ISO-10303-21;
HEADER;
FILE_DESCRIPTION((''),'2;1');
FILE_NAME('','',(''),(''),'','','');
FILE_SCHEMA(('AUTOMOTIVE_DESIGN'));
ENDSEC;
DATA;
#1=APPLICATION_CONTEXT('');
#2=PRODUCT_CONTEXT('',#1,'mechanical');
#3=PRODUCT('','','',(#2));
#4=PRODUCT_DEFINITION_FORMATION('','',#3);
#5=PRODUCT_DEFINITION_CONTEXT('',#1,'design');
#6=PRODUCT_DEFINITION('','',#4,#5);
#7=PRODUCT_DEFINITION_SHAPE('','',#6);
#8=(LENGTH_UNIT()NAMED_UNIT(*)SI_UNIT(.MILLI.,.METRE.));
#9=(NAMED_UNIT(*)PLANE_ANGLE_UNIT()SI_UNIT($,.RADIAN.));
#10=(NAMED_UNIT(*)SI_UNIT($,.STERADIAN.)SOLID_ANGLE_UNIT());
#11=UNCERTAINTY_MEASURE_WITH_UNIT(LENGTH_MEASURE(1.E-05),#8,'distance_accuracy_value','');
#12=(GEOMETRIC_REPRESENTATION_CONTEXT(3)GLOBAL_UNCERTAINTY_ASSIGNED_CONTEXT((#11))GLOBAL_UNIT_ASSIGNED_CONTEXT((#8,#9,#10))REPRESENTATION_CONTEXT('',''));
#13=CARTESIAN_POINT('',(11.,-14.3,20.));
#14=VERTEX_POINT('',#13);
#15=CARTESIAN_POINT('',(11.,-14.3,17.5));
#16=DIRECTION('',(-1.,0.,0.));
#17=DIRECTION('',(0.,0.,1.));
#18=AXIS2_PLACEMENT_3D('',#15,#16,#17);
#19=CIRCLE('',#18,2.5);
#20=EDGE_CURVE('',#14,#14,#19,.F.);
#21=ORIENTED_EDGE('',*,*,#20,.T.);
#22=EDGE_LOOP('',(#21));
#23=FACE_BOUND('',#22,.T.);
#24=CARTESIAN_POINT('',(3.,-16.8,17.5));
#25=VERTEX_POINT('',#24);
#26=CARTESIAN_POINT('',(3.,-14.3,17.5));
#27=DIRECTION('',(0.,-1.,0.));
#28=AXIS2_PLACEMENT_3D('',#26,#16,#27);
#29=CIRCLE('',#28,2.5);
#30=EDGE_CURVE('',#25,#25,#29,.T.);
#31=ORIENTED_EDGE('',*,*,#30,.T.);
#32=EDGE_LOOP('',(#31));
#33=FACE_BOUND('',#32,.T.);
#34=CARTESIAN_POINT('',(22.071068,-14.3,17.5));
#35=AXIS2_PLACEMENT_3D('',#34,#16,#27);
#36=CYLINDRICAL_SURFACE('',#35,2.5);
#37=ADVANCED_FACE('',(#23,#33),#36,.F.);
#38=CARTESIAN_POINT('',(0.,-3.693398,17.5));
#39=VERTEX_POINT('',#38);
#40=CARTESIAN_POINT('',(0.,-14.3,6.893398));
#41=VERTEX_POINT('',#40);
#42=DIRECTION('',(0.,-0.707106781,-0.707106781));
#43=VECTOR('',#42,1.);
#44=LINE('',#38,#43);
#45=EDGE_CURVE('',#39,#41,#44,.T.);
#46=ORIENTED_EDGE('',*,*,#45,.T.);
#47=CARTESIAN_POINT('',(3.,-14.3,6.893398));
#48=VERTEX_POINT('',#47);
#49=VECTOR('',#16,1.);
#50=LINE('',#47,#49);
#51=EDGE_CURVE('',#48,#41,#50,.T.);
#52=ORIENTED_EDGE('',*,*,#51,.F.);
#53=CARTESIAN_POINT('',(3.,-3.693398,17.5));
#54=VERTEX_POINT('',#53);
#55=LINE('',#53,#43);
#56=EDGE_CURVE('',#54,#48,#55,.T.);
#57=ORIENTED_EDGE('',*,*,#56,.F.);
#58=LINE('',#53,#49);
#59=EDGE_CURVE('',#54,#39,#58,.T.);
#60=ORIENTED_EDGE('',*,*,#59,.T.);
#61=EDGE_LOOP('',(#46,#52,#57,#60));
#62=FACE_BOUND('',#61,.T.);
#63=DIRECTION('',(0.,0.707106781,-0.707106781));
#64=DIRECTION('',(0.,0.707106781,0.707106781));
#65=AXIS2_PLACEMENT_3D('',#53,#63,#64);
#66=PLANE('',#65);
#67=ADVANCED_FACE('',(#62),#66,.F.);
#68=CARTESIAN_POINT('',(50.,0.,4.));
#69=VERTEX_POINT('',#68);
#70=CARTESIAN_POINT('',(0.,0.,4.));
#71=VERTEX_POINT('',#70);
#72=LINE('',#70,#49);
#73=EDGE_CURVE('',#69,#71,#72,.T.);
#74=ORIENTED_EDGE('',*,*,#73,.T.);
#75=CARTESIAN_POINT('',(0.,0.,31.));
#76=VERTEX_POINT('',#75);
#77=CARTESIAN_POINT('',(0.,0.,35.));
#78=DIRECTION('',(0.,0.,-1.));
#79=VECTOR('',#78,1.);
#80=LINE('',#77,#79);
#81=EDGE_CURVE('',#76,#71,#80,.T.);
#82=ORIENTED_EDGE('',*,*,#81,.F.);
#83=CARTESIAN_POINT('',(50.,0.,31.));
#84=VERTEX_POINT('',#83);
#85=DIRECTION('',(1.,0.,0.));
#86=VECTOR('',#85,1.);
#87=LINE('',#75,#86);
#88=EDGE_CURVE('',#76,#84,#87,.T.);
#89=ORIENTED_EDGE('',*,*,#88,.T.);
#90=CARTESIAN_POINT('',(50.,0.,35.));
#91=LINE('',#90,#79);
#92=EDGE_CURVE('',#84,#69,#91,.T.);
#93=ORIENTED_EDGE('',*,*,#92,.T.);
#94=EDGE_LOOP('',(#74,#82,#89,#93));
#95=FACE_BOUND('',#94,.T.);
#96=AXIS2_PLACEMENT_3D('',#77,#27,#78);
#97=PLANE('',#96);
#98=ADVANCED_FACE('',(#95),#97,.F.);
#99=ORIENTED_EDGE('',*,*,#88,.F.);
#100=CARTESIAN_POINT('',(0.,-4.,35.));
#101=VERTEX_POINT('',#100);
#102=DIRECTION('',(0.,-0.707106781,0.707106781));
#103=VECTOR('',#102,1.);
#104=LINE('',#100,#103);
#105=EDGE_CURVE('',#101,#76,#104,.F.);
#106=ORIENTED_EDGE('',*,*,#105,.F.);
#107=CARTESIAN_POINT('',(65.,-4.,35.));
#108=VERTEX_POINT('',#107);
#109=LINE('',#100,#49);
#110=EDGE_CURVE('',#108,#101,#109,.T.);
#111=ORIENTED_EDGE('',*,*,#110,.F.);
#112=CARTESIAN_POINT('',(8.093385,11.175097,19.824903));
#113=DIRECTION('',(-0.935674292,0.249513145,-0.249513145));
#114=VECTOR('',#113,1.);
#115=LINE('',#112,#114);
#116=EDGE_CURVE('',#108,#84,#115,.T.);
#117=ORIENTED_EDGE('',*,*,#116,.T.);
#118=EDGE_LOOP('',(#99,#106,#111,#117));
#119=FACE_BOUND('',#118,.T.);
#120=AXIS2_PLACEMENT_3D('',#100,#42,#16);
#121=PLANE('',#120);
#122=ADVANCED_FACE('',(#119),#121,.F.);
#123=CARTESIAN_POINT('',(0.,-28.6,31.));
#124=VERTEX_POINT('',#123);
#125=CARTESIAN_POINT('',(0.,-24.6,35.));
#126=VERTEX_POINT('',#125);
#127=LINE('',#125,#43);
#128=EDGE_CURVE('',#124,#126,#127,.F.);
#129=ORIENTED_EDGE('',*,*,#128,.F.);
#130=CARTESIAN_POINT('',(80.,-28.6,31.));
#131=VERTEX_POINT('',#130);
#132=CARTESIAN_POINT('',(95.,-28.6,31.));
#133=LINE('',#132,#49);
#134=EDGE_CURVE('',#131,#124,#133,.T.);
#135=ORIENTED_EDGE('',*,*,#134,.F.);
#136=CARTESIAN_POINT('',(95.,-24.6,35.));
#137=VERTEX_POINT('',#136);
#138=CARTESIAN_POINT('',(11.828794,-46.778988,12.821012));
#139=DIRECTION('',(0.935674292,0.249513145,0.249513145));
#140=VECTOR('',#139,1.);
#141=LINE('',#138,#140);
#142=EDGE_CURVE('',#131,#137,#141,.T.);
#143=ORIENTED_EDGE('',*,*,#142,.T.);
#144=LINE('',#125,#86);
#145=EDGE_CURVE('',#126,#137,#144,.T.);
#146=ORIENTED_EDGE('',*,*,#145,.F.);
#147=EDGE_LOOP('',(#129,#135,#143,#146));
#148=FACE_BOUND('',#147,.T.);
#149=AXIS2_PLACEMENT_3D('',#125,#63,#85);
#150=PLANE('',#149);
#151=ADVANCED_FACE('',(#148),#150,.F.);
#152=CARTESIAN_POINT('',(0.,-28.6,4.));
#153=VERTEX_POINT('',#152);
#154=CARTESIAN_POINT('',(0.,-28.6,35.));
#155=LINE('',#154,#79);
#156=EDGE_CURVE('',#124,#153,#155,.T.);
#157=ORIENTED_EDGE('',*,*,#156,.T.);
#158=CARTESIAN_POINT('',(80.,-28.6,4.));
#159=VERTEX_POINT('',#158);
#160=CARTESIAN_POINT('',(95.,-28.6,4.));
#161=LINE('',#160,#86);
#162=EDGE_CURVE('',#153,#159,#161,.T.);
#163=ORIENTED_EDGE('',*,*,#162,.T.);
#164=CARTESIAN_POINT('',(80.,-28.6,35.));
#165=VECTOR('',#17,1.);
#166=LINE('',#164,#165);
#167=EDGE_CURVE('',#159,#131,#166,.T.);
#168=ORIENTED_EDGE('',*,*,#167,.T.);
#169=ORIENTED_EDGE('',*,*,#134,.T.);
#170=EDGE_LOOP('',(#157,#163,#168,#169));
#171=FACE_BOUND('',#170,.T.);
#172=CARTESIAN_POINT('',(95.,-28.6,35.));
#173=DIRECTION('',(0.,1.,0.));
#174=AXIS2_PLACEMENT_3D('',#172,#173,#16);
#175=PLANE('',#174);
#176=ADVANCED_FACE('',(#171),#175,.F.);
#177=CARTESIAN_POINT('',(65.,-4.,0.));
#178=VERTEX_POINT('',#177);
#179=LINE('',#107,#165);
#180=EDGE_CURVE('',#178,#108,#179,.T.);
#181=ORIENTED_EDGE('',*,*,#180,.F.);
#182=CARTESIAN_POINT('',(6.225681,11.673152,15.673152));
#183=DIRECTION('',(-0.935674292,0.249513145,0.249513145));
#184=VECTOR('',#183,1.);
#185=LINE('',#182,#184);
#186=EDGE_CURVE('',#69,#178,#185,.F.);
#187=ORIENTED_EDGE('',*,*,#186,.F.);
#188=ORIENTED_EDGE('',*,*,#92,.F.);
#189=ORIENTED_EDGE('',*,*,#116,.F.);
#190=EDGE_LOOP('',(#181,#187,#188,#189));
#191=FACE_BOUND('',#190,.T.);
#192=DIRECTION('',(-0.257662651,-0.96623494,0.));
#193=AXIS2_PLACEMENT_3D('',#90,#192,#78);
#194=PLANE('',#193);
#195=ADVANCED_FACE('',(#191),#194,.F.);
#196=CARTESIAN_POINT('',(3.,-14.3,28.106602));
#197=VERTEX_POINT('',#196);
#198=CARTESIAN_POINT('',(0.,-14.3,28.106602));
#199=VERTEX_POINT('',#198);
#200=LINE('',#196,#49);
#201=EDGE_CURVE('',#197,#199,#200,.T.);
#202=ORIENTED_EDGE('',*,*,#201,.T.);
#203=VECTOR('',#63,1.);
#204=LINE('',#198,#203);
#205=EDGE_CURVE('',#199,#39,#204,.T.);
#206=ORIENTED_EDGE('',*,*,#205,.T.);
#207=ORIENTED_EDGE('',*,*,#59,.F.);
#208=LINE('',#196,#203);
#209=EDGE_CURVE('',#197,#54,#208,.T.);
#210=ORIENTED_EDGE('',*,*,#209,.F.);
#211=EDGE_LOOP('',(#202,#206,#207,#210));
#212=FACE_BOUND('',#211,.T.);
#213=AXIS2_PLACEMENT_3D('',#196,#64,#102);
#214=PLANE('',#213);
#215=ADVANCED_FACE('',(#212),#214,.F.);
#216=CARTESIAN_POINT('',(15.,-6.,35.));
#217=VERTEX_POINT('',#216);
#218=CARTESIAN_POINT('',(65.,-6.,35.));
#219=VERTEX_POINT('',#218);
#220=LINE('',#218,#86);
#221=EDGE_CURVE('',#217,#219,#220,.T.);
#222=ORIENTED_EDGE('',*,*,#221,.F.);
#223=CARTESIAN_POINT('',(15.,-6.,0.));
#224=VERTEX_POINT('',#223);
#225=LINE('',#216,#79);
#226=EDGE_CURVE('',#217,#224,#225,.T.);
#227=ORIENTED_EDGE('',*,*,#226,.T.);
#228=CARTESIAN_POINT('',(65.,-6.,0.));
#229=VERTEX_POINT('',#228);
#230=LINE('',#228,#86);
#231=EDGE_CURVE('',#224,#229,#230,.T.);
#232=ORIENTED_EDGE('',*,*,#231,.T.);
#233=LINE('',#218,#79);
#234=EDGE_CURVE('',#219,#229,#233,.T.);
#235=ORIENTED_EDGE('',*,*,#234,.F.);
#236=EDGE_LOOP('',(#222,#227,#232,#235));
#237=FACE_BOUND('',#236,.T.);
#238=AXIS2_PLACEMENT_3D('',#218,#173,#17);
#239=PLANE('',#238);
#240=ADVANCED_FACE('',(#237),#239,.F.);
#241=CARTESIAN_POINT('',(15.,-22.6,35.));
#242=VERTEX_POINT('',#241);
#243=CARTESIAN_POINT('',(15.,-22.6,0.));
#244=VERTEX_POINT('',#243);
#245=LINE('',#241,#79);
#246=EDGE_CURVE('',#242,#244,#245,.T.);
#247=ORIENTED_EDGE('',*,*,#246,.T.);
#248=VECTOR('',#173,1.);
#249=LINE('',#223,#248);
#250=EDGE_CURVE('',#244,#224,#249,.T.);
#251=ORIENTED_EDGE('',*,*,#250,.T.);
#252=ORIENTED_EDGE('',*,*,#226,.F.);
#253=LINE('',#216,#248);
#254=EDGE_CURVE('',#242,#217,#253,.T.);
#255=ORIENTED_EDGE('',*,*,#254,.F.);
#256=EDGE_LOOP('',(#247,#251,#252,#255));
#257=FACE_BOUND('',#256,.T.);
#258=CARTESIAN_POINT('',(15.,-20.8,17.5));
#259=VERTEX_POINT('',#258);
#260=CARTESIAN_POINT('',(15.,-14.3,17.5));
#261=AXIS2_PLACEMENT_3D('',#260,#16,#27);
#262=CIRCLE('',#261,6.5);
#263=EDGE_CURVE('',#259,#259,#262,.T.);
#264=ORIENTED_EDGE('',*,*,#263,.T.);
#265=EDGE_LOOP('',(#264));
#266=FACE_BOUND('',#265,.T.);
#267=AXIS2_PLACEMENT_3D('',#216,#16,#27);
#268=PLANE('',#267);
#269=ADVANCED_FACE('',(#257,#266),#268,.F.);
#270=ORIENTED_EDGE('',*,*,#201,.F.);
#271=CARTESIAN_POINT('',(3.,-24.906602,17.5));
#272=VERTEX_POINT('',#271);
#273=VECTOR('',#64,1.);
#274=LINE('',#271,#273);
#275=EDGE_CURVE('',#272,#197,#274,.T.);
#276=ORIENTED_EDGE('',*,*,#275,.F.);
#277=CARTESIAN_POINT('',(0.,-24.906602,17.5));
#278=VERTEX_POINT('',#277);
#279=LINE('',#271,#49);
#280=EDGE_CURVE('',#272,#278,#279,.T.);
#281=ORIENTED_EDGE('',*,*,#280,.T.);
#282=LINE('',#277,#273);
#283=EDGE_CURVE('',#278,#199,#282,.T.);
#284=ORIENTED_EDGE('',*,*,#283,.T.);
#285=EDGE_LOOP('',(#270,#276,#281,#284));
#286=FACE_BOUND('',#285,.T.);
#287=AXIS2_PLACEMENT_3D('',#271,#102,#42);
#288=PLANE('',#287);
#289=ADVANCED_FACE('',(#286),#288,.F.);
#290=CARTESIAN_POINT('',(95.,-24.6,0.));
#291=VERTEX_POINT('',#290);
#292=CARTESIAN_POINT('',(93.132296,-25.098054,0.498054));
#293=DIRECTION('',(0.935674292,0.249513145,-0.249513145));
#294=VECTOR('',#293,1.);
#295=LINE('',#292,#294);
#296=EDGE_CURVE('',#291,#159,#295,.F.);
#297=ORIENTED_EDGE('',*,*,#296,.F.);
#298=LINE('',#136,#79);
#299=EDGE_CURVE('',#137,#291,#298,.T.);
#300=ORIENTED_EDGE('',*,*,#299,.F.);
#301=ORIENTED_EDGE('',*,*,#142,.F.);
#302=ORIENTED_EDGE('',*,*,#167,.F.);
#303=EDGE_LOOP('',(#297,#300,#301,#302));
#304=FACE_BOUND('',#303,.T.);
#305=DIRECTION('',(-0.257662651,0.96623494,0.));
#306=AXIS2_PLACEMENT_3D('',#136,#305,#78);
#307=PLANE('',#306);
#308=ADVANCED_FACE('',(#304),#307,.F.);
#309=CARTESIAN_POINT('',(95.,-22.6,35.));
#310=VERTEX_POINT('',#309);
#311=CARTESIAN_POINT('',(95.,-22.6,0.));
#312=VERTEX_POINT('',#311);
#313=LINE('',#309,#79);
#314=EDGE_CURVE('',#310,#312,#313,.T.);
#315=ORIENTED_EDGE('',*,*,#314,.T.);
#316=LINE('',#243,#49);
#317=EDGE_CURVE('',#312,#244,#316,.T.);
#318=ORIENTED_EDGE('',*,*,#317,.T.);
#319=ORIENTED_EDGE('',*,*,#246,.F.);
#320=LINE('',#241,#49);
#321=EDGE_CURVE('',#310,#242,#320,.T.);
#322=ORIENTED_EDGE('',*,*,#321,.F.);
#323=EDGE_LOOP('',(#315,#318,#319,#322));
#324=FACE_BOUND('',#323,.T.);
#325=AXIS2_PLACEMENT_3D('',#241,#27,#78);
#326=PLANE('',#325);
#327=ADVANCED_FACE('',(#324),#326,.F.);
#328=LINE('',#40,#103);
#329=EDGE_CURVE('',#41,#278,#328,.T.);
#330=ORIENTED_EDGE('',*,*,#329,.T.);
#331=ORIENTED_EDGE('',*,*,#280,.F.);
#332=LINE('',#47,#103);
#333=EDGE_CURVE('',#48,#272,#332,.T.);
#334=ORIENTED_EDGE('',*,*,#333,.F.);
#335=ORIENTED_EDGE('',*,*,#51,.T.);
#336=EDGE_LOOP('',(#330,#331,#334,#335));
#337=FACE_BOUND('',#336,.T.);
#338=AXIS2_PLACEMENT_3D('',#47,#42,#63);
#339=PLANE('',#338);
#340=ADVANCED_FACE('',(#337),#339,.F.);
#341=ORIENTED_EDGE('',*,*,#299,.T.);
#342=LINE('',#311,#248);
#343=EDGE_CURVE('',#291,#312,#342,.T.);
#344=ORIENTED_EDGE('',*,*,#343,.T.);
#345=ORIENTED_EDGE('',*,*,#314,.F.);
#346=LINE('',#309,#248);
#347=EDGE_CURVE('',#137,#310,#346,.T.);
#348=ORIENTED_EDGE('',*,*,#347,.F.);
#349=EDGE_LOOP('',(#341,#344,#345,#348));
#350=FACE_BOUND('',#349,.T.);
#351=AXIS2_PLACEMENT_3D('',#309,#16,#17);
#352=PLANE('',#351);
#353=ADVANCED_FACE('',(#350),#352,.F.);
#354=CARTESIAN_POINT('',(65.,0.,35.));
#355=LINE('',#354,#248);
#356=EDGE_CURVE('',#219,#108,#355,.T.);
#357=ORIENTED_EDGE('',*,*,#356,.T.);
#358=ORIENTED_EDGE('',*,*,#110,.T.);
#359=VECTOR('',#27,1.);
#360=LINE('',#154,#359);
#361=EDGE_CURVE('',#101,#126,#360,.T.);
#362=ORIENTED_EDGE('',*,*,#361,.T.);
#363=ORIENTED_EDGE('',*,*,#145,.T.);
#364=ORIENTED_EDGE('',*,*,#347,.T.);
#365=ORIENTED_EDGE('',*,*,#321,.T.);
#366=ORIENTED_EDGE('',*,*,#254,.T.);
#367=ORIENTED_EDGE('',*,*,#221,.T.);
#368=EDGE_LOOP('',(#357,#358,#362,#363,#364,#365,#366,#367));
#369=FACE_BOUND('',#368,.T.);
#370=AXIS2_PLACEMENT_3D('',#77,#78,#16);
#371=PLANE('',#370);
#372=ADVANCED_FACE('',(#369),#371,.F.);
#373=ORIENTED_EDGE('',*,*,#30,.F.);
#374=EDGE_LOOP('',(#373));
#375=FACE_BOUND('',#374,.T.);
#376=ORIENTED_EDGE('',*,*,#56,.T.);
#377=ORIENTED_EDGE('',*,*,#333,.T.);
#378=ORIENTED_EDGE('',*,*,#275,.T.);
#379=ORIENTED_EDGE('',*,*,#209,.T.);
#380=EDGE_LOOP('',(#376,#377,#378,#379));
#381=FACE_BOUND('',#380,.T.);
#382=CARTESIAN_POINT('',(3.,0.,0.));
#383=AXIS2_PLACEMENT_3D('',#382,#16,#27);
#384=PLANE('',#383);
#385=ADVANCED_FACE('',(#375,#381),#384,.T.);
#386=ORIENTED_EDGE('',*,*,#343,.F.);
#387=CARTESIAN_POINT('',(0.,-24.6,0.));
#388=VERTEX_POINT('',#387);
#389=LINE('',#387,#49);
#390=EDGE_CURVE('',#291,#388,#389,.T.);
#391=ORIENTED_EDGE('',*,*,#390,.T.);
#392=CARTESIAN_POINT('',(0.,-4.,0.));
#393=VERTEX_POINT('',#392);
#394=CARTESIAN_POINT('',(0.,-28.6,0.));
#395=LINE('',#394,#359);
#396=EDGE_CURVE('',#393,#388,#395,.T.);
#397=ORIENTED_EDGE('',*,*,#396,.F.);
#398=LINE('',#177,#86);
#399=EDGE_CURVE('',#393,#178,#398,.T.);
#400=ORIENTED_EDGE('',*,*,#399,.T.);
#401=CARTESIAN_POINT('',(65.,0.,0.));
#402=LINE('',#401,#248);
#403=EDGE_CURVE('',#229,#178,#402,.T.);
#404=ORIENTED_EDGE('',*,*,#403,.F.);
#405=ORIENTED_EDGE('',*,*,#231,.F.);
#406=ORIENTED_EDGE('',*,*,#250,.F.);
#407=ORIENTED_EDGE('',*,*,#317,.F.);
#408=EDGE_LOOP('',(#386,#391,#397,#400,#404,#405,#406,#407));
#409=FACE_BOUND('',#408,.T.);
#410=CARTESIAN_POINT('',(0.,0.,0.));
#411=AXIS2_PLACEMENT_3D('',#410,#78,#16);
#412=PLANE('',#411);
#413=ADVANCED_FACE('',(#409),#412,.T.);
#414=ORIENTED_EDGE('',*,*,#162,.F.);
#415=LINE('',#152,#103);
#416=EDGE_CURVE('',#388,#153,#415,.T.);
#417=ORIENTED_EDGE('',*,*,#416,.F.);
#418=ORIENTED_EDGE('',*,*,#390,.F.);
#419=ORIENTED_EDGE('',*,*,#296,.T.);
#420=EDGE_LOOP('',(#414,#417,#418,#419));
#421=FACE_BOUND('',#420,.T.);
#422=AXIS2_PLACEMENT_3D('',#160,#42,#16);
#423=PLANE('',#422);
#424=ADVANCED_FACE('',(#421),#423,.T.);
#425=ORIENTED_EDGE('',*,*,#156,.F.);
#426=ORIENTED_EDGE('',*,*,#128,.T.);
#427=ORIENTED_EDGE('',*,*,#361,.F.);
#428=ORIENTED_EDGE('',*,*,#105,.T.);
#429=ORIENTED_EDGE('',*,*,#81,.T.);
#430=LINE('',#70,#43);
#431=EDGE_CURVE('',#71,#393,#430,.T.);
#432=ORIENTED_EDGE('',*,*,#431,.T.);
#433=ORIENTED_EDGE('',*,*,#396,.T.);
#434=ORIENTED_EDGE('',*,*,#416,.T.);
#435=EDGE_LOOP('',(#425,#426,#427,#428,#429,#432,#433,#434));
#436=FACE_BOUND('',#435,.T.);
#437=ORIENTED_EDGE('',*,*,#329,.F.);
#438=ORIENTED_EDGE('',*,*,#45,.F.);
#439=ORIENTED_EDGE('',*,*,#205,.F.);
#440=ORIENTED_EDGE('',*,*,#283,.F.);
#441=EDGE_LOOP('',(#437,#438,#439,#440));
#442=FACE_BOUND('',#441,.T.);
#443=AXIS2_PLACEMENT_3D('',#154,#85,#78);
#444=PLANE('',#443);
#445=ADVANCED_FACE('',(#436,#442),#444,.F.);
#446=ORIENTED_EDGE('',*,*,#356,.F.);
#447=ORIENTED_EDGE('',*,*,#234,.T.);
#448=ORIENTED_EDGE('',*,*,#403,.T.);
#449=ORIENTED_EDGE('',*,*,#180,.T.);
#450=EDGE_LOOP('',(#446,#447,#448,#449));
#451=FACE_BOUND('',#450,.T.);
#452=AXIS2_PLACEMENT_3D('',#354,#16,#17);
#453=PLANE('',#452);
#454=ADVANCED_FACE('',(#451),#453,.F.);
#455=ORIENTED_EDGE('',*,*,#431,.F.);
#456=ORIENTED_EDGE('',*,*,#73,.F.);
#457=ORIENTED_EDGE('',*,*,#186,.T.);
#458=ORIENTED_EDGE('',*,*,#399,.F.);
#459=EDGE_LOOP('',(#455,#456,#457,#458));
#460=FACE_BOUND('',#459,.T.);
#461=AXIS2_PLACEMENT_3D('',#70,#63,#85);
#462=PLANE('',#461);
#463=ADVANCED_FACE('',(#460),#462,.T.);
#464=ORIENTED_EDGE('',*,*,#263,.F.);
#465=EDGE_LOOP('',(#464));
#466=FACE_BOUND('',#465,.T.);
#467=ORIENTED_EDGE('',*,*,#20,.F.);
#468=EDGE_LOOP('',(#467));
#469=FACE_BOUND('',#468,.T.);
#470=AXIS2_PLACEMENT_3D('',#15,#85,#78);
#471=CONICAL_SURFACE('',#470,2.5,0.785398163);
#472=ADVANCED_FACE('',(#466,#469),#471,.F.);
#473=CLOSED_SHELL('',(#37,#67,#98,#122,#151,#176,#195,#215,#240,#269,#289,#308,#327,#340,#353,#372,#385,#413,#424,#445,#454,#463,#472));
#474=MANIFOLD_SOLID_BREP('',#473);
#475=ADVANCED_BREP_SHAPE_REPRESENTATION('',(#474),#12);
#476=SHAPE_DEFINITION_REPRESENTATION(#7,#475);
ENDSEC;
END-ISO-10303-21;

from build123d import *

# Parameters (mm, degrees)
EXTRUDE_1_DEPTH     = 35
CUT_EXTRUDE_2_DEPTH = 3
SKETCH_4_R          = 2.5
CUT_EXTRUDE_3_DEPTH = 15
CHAMFER_2_SIZE      = 4
CHAMFER_3_SIZE      = 4
CHAMFER_4_SIZE      = 4
CHAMFER_4_SIZE2     = 15
CHAMFER_5_SIZE      = 15
CHAMFER_5_SIZE2     = 4


with BuildPart() as part:
    # Эскиз2 → Бобышка-Вытянуть1 (new body)
    with BuildSketch(Plane.XY):
        Polygon((0, 0), (65, 0), (65, -6), (15, -6), (15, -22.6), (95, -22.6), (95, -28.6), (0, -28.6), align=None)
    extrude(amount=EXTRUDE_1_DEPTH)

    # Эскиз3 → Вырез-Вытянуть2 (cut)
    with BuildSketch(Plane.ZY):
        Polygon((6.893398282, -14.3), (17.5, -24.906601718), (28.106601718, -14.3), (17.5, -3.693398282), align=None)
    extrude(amount=-CUT_EXTRUDE_2_DEPTH, mode=Mode.SUBTRACT)

    # Эскиз4 → Вырез-Вытянуть3 (cut)
    with BuildSketch(Plane.ZY):
        with Locations(Location((17.5, -14.3, 0), (0, 0, 270))):
            Circle(SKETCH_4_R)
    extrude(amount=-CUT_EXTRUDE_3_DEPTH, mode=Mode.SUBTRACT)

    # Фаска2
    chamfer_2_edges = [part.edges().sort_by_distance(p)[0] for p in [
        (15, -11.8, 17.5),
    ]]
    chamfer(chamfer_2_edges, length=CHAMFER_2_SIZE)

    # Фаска3
    chamfer_3_edges = [part.edges().sort_by_distance(p)[0] for p in [
        (47.5, -28.6, 0),
        (32.5, 0, 35),
        (32.5, 0, 0),
        (47.5, -28.6, 35),
    ]]
    chamfer(chamfer_3_edges, length=CHAMFER_3_SIZE)

    # Фаска4
    chamfer_4_edges = [part.edges().sort_by_distance(p)[0] for p in [
        (65, 0, 17.5),
    ]]
    chamfer_4_side = [part.faces().sort_by_distance(p)[0] for p in [
        (65, -3.137457045, 17.5),
    ]]
    chamfer(chamfer_4_edges, length=CHAMFER_4_SIZE, length2=CHAMFER_4_SIZE2, reference=chamfer_4_side[0])

    # Фаска5
    chamfer_5_edges = [part.edges().sort_by_distance(p)[0] for p in [
        (95, -28.6, 17.5),
    ]]
    chamfer_5_side = [part.faces().sort_by_distance(p)[0] for p in [
        (47.5, -28.6, 17.5),
    ]]
    chamfer(chamfer_5_edges, length=CHAMFER_5_SIZE, length2=CHAMFER_5_SIZE2, reference=chamfer_5_side[0])


solid = part.part
